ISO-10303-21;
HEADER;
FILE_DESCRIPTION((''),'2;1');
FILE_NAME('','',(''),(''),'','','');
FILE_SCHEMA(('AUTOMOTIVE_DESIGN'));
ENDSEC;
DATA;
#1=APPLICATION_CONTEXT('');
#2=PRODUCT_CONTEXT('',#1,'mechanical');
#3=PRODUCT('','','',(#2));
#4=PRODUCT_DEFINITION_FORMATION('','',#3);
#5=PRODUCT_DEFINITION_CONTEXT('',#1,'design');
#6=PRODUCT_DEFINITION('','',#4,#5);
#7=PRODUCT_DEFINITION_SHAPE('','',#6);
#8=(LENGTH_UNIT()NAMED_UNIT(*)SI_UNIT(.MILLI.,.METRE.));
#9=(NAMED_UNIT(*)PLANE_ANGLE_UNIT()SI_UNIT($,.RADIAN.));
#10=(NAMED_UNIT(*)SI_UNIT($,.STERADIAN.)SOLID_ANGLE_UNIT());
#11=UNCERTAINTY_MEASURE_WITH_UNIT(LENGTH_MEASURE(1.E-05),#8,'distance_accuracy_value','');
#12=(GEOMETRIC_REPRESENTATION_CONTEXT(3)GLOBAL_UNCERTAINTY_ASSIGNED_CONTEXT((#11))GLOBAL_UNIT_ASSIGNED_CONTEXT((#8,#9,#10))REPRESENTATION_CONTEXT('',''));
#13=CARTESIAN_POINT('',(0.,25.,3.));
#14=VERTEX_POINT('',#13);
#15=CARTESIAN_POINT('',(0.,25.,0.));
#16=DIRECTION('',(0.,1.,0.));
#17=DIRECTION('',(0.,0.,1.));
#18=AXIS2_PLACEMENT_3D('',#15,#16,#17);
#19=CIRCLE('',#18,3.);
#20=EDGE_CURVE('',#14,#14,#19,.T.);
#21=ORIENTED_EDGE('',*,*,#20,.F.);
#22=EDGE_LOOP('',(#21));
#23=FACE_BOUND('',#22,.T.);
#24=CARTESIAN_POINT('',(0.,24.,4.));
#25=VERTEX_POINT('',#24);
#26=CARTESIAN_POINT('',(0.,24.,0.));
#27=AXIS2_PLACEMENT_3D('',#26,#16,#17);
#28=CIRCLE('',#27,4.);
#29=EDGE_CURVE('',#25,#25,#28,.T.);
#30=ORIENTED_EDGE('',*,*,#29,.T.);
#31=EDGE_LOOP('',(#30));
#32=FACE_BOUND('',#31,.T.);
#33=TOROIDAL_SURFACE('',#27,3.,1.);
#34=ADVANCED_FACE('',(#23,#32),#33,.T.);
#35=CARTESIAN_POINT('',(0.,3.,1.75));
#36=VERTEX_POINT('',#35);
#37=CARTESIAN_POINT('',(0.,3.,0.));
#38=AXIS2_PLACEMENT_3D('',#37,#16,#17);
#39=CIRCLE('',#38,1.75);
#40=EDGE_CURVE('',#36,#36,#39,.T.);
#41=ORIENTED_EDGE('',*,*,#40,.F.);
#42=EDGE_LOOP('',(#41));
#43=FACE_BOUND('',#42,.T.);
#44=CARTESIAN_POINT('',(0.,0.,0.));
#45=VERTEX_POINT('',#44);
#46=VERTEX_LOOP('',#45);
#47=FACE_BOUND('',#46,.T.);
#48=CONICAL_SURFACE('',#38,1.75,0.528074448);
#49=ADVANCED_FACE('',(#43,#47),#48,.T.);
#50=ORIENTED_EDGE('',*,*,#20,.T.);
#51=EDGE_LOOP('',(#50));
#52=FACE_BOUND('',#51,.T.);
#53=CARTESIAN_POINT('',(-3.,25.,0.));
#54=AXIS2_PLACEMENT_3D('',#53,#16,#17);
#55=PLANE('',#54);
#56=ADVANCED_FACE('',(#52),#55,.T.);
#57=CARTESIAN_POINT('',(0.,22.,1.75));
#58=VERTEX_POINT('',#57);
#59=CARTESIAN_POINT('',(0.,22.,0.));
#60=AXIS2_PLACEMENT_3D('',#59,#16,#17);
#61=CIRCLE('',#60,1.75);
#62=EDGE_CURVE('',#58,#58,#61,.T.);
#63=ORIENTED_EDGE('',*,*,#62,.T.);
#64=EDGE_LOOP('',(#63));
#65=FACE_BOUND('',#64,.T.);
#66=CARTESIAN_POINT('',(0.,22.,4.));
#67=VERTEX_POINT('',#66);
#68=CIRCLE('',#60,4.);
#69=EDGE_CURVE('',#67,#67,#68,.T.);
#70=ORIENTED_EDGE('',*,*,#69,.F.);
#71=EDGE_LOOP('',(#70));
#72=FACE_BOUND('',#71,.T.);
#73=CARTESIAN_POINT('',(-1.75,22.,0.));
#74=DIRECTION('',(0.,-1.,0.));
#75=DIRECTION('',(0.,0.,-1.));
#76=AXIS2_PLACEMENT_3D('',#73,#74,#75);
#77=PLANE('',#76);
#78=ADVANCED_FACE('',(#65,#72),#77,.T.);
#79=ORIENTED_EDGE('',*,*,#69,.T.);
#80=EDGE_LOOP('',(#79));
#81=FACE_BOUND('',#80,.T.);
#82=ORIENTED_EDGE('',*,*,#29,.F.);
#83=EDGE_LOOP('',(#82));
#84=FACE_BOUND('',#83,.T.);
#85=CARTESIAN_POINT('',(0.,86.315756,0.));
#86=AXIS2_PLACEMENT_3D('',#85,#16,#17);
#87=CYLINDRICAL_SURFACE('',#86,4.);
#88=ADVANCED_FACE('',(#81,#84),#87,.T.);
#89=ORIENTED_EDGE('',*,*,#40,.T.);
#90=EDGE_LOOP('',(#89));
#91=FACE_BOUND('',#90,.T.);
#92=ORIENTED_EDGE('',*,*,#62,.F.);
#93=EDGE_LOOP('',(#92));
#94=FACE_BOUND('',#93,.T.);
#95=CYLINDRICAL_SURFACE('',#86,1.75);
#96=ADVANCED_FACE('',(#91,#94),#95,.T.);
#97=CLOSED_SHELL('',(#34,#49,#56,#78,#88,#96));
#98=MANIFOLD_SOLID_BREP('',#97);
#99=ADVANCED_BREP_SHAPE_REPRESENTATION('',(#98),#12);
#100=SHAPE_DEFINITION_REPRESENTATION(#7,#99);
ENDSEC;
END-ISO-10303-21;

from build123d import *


with BuildPart() as part:
    # Sketch1 → Revolve2 (revolve)
    with BuildSketch(Plane.XY, mode=Mode.PRIVATE) as revolve2_sk:
        with BuildLine():
            Line((0, 0), (-1.75, 3))
            Line((-1.75, 3), (-1.75, 22))
            Line((-1.75, 22), (-4, 22))
            Line((-4, 22), (-4, 24))
            ThreePointArc((-4, 24), (-3.707106781, 24.707106781), (-3, 25))
            Line((-3, 25), (0, 25))
            Line((0, 25), (0, 0))
        make_face()
    revolve(revolve2_sk.sketch.rotate(Axis((0, 86.315756186, 0), (0, -1, 0)), 270), axis=Axis((0, 86.315756186, 0), (0, -1, 0)))


solid = part.part
